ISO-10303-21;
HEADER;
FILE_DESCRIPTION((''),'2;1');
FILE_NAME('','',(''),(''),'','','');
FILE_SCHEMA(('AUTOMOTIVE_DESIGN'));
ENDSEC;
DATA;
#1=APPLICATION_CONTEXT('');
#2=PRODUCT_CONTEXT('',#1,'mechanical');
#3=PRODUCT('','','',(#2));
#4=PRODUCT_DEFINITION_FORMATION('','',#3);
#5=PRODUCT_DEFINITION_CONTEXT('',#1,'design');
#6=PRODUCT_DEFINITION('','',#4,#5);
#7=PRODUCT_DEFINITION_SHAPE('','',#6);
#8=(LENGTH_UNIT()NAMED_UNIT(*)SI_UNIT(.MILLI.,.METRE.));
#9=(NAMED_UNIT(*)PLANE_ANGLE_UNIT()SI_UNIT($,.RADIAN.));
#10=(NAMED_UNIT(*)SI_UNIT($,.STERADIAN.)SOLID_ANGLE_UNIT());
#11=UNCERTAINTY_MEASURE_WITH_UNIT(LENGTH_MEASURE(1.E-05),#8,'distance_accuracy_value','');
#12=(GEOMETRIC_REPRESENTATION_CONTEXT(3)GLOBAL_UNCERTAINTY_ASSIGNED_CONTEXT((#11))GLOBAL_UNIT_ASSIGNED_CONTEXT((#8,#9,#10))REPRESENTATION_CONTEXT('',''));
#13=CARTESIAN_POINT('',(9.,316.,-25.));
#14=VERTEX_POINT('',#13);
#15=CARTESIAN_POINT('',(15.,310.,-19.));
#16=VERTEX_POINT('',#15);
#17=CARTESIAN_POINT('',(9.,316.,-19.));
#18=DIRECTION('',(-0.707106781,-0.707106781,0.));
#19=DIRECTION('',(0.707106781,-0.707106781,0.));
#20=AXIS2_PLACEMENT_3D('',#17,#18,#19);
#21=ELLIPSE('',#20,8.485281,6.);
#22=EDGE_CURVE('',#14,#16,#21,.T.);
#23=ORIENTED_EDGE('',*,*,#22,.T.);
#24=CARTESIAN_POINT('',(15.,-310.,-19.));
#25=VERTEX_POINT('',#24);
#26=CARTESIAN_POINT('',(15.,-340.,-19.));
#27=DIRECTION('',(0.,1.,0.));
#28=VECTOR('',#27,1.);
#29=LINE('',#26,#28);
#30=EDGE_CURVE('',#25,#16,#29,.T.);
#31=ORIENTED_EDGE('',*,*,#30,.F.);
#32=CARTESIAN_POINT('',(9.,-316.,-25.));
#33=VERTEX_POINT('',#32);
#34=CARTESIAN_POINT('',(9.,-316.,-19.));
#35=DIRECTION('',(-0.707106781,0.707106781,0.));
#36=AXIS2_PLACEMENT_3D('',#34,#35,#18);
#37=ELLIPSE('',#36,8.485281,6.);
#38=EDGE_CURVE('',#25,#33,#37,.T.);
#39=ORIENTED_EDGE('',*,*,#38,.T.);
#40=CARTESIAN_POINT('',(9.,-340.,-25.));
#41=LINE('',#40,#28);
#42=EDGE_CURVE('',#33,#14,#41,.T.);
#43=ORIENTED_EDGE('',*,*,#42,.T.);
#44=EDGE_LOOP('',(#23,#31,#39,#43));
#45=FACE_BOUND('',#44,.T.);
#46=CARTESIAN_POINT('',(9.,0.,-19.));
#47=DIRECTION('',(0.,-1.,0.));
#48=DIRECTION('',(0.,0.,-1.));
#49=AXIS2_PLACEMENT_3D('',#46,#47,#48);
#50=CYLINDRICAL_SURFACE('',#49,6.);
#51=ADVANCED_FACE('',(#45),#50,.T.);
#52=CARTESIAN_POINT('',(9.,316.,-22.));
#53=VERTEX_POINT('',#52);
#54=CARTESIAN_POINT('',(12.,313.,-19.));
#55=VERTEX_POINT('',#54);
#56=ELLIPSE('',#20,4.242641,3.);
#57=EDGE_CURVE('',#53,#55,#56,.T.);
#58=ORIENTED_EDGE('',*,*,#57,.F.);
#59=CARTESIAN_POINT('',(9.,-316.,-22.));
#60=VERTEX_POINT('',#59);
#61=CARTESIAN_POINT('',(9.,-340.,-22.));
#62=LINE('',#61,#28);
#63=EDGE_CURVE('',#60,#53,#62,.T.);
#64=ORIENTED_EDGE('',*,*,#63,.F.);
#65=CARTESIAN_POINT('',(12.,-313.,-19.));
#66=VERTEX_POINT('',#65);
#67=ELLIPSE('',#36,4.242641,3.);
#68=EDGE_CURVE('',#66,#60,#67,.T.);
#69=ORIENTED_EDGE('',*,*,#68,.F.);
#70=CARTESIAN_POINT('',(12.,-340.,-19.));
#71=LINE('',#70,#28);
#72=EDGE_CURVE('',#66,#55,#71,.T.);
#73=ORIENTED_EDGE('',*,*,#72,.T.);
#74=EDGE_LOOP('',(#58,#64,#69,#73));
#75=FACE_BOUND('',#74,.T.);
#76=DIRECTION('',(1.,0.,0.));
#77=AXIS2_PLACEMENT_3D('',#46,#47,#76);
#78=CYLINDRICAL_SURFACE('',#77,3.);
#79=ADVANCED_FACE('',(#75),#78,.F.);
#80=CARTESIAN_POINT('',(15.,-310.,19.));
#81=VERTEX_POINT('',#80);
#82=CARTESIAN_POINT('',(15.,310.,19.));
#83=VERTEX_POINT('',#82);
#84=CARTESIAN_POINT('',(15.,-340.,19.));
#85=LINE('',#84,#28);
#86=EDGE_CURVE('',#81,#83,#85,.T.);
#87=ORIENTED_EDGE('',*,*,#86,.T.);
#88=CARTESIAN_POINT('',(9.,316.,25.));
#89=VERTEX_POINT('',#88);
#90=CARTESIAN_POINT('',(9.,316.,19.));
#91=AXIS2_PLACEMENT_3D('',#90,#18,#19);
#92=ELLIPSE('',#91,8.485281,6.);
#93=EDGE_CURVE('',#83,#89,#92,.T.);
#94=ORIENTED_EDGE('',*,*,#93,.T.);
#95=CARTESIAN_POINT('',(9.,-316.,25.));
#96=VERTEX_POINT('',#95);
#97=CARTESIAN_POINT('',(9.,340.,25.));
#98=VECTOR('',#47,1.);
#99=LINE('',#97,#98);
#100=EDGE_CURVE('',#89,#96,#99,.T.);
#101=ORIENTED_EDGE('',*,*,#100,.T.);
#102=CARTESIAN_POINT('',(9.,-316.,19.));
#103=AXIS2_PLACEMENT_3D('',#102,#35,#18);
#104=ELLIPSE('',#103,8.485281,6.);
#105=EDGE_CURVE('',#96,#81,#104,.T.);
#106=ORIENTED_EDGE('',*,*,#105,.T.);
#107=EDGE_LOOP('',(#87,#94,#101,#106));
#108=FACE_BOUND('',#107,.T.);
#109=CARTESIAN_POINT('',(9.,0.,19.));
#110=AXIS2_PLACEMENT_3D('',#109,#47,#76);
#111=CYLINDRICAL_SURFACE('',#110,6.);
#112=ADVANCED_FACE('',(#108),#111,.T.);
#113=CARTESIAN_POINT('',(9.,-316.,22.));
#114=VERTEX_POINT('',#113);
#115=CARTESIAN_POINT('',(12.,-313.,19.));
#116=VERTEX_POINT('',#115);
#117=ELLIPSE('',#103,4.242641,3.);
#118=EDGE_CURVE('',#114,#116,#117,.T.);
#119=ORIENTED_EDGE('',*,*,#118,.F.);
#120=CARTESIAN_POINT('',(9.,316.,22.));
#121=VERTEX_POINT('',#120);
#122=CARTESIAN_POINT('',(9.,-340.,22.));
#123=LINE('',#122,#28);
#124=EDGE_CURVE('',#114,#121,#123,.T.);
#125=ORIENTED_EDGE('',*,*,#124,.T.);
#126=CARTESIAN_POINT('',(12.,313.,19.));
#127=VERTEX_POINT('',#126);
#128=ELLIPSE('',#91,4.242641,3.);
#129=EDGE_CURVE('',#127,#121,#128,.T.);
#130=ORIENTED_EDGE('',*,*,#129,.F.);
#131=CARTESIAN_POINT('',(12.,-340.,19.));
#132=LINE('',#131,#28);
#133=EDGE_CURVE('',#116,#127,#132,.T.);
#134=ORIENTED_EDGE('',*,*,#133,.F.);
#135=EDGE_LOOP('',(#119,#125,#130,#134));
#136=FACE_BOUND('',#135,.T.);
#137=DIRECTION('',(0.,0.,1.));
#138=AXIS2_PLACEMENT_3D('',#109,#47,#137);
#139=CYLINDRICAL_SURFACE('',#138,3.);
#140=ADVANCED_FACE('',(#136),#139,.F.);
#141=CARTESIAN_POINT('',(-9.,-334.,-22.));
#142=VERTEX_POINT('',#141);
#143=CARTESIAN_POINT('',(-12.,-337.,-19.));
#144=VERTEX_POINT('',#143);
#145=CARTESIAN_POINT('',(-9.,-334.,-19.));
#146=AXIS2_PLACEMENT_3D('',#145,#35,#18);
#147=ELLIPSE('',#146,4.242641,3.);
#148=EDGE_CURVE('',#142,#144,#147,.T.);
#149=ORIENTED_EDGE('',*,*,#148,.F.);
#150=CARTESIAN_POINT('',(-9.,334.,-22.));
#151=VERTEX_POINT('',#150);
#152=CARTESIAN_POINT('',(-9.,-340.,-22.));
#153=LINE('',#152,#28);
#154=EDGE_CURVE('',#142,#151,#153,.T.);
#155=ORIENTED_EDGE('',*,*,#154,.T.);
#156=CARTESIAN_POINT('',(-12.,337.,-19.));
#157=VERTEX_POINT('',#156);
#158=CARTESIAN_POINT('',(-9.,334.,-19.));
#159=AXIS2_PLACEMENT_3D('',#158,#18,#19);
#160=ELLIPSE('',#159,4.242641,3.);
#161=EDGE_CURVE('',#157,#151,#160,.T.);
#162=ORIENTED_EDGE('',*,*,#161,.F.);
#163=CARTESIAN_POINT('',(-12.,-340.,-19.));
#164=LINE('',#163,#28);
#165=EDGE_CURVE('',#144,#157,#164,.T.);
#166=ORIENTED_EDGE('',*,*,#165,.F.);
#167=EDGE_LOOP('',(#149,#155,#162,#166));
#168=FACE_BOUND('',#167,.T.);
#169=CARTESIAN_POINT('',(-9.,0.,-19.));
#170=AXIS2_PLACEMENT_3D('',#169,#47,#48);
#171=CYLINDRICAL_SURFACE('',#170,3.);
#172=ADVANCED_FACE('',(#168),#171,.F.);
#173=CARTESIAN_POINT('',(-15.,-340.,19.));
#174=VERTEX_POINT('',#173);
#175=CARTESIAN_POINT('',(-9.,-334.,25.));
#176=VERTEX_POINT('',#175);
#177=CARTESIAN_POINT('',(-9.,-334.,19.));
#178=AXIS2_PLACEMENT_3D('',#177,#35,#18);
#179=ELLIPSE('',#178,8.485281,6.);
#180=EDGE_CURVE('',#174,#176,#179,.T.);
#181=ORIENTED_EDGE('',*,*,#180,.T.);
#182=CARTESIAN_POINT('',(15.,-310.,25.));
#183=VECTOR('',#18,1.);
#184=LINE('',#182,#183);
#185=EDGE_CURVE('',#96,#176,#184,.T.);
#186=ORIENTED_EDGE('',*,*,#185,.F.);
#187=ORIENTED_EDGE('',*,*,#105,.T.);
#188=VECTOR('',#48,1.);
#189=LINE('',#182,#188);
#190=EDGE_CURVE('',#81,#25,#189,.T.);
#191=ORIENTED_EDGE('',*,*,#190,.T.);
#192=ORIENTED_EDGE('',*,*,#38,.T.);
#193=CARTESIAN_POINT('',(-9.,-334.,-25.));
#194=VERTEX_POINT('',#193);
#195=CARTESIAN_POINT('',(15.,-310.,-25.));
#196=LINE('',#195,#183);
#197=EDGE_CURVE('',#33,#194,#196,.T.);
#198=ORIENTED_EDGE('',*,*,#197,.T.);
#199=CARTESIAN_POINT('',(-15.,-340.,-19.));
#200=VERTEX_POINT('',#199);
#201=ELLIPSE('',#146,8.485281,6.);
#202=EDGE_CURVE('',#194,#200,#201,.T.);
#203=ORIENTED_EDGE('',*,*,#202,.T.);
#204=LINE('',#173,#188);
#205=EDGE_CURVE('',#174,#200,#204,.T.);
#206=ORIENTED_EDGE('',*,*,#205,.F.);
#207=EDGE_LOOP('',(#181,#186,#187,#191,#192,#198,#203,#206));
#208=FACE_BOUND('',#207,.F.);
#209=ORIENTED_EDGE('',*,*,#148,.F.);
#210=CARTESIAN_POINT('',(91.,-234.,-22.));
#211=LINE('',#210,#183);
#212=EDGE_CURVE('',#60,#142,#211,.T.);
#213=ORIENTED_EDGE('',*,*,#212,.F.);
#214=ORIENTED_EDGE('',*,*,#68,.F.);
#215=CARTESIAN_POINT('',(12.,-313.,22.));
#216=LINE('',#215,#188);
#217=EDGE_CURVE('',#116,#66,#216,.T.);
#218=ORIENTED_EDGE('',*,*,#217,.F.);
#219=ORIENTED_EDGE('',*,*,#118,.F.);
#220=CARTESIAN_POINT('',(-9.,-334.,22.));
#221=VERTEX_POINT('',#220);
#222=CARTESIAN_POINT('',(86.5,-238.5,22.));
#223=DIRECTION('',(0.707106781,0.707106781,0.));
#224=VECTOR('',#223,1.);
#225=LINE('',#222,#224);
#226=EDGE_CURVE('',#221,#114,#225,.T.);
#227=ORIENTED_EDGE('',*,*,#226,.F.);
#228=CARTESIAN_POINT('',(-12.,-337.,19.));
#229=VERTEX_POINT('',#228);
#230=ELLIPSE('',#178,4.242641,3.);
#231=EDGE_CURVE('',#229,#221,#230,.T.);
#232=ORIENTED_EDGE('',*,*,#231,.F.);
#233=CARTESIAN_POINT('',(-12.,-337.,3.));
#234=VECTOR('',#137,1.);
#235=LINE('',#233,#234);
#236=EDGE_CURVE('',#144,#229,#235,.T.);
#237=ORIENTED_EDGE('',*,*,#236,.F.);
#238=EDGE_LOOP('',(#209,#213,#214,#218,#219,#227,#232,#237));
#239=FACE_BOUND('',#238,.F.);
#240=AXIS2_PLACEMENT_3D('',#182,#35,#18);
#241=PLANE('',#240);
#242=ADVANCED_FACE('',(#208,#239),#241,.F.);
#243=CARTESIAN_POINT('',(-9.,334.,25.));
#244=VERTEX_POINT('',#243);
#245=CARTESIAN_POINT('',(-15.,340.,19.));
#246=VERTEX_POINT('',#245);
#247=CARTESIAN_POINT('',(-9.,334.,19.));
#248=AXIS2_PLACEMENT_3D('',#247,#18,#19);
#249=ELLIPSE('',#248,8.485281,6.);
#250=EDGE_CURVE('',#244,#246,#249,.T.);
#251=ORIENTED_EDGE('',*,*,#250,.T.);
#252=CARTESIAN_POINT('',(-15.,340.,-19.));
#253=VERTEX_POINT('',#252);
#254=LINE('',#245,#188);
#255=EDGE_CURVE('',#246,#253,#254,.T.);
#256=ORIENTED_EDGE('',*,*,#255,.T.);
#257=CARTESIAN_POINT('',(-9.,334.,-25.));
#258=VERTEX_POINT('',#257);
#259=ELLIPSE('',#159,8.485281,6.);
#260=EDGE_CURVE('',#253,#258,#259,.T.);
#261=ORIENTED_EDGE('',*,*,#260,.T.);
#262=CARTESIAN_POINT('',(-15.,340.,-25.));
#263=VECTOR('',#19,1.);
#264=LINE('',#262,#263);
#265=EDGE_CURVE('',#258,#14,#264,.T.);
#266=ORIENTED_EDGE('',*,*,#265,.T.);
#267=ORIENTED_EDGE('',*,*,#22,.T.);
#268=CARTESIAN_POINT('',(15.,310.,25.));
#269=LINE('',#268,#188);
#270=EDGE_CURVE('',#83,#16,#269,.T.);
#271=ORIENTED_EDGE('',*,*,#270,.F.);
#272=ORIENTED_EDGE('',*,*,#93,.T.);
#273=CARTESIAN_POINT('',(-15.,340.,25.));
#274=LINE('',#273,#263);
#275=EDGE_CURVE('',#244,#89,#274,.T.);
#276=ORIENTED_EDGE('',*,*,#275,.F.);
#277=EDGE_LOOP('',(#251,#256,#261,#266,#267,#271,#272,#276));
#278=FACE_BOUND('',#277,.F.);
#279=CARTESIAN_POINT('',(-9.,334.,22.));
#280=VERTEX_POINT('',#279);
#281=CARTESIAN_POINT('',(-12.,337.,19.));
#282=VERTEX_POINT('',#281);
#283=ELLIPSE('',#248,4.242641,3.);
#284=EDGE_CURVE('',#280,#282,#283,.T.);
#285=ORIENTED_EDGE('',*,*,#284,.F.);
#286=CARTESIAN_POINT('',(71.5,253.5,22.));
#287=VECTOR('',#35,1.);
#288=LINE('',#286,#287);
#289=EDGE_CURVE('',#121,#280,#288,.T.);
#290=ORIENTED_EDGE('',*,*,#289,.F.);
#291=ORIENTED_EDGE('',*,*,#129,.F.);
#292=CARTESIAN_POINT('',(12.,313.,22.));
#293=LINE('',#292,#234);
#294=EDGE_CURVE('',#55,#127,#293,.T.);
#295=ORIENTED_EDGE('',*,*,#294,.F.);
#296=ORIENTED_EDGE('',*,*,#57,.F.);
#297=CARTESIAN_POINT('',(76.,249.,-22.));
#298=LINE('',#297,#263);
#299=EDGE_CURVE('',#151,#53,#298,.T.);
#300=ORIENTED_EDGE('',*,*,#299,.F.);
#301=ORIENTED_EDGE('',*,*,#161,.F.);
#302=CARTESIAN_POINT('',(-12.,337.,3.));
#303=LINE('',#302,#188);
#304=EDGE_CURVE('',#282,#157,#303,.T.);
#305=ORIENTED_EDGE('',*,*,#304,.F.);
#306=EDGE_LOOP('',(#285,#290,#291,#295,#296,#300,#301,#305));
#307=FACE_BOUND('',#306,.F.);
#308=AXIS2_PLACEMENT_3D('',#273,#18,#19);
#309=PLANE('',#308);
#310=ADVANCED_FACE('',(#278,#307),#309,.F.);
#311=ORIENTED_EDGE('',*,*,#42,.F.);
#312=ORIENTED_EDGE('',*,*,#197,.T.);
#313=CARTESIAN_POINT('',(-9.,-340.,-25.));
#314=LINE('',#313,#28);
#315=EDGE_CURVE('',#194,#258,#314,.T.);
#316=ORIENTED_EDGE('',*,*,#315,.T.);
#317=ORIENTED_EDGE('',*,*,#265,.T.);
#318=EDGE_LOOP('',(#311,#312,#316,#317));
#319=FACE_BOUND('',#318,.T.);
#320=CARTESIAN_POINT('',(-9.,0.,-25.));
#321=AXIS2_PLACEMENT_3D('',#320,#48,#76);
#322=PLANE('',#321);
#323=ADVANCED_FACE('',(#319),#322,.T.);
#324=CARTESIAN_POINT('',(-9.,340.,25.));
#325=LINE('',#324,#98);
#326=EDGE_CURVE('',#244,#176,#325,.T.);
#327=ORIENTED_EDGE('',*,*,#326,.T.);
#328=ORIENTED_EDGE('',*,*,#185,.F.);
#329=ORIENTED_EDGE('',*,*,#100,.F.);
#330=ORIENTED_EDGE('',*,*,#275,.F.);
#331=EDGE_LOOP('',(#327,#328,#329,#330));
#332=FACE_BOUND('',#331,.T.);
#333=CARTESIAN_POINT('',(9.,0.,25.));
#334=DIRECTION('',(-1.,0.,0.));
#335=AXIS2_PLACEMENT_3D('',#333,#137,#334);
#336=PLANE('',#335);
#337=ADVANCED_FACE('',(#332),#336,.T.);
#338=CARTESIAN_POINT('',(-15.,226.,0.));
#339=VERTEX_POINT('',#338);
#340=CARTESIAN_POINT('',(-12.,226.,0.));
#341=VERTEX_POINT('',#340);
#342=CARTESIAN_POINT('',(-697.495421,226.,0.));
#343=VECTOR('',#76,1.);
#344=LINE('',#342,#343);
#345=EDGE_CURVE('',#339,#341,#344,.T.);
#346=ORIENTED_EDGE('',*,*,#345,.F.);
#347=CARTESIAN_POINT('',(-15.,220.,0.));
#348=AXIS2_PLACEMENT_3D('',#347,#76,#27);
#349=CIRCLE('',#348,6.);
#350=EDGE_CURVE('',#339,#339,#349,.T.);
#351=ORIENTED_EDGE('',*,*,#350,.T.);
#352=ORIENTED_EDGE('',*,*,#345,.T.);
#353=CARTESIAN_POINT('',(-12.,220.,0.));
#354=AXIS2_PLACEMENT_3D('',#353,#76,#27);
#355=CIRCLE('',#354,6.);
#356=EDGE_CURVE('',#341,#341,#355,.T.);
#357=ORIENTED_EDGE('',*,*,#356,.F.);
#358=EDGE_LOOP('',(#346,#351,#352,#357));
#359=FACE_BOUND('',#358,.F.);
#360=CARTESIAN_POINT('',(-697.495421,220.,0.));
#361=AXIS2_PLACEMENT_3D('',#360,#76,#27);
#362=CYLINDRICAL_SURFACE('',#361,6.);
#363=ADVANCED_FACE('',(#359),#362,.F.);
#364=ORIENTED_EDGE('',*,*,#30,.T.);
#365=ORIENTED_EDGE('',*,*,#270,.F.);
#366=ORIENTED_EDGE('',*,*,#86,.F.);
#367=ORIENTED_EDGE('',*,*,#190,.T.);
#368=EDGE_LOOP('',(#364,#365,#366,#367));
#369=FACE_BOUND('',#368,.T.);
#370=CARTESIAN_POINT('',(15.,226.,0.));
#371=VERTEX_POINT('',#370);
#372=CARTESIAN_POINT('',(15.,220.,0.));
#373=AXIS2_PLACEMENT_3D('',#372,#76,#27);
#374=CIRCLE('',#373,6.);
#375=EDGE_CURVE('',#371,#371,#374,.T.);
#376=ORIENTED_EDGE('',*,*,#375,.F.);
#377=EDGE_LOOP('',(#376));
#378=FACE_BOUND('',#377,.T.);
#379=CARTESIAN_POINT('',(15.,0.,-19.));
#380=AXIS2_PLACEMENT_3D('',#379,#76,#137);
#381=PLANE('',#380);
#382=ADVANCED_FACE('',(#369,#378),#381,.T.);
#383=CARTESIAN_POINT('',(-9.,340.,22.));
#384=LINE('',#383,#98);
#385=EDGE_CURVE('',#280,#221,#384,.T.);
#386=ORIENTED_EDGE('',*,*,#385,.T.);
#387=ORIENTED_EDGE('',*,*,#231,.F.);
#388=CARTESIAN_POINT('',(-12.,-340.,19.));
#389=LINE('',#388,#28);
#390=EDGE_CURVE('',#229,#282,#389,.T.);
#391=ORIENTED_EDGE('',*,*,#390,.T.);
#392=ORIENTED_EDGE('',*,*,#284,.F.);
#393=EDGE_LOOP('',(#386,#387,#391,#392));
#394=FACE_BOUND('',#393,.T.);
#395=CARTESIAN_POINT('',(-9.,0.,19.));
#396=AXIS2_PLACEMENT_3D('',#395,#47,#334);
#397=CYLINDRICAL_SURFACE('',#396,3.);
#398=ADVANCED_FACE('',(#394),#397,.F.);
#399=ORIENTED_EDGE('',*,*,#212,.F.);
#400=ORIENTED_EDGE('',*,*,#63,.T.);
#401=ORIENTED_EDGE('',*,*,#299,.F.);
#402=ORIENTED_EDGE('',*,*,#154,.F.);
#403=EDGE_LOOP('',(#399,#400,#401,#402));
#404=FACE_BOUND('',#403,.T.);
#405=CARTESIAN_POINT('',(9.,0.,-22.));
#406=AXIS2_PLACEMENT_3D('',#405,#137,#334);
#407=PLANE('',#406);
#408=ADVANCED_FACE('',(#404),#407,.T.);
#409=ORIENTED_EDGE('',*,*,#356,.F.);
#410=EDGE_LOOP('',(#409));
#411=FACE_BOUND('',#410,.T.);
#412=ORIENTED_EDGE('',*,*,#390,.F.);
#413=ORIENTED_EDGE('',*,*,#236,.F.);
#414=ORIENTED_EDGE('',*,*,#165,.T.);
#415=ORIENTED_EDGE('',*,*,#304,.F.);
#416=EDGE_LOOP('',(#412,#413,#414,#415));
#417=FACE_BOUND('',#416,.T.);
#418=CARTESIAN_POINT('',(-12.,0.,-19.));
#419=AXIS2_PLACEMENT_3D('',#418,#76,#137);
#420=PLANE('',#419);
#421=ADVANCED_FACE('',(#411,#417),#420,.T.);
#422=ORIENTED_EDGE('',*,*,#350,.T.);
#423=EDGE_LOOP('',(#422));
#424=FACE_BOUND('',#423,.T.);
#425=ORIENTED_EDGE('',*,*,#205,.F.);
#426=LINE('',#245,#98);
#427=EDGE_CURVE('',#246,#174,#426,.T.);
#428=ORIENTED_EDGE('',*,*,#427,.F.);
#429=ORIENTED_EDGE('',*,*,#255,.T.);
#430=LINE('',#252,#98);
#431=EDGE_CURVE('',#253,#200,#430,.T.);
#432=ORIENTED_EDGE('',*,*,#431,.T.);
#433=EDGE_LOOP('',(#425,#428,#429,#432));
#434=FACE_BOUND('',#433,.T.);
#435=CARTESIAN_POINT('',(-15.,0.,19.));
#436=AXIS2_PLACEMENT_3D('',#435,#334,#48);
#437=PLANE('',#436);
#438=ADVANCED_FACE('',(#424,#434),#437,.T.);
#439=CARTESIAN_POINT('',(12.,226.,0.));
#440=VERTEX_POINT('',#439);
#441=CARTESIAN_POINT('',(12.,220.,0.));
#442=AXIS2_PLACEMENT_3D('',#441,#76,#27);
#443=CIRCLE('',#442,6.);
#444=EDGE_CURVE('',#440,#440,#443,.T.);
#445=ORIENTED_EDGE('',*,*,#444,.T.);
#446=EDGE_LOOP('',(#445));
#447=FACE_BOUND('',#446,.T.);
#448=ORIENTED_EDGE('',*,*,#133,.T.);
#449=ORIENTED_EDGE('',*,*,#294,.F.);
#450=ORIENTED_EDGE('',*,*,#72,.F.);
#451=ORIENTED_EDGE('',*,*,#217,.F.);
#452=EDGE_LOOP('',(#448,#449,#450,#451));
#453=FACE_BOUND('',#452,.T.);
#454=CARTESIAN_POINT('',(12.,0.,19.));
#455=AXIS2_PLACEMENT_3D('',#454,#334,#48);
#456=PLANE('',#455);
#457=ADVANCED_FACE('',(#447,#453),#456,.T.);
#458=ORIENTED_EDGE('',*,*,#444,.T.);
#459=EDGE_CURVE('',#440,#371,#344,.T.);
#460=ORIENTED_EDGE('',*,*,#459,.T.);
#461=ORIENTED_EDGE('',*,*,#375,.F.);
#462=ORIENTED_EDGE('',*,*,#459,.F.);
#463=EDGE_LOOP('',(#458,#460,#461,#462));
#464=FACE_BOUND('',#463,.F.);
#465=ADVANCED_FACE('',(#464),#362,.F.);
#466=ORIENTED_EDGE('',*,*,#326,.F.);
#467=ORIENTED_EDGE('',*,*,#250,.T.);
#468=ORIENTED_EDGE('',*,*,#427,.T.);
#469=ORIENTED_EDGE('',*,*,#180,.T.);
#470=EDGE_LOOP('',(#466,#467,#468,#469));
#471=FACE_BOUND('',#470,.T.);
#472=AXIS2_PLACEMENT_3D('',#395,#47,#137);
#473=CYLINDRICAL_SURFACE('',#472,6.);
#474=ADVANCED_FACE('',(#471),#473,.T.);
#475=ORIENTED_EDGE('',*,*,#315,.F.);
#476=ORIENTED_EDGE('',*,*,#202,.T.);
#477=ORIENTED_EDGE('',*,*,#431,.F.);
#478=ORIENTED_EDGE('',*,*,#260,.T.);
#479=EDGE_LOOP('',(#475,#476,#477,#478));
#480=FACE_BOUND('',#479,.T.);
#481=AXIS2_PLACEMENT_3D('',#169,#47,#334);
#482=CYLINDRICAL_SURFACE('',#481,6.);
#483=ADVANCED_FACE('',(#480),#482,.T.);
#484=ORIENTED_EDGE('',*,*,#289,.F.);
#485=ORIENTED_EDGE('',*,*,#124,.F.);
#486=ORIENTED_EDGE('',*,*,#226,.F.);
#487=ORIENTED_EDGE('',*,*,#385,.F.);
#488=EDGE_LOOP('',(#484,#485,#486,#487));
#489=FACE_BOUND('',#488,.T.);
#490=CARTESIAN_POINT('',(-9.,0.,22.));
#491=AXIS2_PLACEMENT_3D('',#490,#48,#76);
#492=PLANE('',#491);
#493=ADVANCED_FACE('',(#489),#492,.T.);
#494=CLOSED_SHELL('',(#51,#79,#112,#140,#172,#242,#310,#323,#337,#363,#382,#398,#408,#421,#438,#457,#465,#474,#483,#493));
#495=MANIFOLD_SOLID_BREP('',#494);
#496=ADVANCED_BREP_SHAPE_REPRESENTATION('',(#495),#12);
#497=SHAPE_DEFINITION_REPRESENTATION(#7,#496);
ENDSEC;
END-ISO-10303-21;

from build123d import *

# Parameters (mm, degrees)
F1_DEPTH = 340
F3_DEPTH = 50
F5_D     = 12


with BuildPart() as f1:
    # F0 (on Front) → F1 (new body, symmetric)
    with BuildSketch(Plane.XZ):
        with BuildLine():
            ThreePointArc((15, 19), (13.2426406871, 23.2426406871), (9, 25))
            Line((9, 25), (-9, 25))
            ThreePointArc((-9, 25), (-13.2426406871, 23.2426406871), (-15, 19))
            Line((-15, 19), (-15, -19))
            ThreePointArc((-15, -19), (-13.2426406871, -23.2426406871), (-9, -25))
            Line((-9, -25), (9, -25))
            ThreePointArc((9, -25), (13.2426406871, -23.2426406871), (15, -19))
            Line((15, -19), (15, 19))
        make_face()
        with BuildLine():
            Line((-9, 22), (9, 22))
            ThreePointArc((9, 22), (11.1213203436, 21.1213203436), (12, 19))
            Line((12, 19), (12, -19))
            ThreePointArc((12, -19), (11.1213203436, -21.1213203436), (9, -22))
            Line((9, -22), (-9, -22))
            ThreePointArc((-9, -22), (-11.1213203436, -21.1213203436), (-12, -19))
            Line((-12, -19), (-12, 19))
            ThreePointArc((-12, 19), (-11.1213203436, 21.1213203436), (-9, 22))
        make_face(mode=Mode.SUBTRACT)
    extrude(amount=F1_DEPTH, both=True)

    # F2 (on face) → F3 (cut, through all)
    with BuildSketch(Plane.XY.offset(25)):
        Polygon((-9, -340), (-9, -334), (-15, -340), align=None)
        Polygon((9, -340), (9, -316), (-9, -334), (-9, -340), align=None)
        Polygon((15, -310), (9, -316), (9, -340), (15, -340), align=None)
        Polygon((-15, 340), (-9, 334), (-9, 340), align=None)
        Polygon((-9, 334), (9, 316), (9, 340), (-9, 340), align=None)
        Polygon((9, 316), (15, 310), (15, 340), (9, 340), align=None)
    extrude(amount=-F3_DEPTH, mode=Mode.SUBTRACT)

    # F5 (through all)
    with Locations(Plane(origin=(-15, 0, 0), x_dir=(0, -1, 0), z_dir=(-1, 0, 0))):
        with Locations((-220, 0)):
            Hole(F5_D / 2)


solid = f1.part
